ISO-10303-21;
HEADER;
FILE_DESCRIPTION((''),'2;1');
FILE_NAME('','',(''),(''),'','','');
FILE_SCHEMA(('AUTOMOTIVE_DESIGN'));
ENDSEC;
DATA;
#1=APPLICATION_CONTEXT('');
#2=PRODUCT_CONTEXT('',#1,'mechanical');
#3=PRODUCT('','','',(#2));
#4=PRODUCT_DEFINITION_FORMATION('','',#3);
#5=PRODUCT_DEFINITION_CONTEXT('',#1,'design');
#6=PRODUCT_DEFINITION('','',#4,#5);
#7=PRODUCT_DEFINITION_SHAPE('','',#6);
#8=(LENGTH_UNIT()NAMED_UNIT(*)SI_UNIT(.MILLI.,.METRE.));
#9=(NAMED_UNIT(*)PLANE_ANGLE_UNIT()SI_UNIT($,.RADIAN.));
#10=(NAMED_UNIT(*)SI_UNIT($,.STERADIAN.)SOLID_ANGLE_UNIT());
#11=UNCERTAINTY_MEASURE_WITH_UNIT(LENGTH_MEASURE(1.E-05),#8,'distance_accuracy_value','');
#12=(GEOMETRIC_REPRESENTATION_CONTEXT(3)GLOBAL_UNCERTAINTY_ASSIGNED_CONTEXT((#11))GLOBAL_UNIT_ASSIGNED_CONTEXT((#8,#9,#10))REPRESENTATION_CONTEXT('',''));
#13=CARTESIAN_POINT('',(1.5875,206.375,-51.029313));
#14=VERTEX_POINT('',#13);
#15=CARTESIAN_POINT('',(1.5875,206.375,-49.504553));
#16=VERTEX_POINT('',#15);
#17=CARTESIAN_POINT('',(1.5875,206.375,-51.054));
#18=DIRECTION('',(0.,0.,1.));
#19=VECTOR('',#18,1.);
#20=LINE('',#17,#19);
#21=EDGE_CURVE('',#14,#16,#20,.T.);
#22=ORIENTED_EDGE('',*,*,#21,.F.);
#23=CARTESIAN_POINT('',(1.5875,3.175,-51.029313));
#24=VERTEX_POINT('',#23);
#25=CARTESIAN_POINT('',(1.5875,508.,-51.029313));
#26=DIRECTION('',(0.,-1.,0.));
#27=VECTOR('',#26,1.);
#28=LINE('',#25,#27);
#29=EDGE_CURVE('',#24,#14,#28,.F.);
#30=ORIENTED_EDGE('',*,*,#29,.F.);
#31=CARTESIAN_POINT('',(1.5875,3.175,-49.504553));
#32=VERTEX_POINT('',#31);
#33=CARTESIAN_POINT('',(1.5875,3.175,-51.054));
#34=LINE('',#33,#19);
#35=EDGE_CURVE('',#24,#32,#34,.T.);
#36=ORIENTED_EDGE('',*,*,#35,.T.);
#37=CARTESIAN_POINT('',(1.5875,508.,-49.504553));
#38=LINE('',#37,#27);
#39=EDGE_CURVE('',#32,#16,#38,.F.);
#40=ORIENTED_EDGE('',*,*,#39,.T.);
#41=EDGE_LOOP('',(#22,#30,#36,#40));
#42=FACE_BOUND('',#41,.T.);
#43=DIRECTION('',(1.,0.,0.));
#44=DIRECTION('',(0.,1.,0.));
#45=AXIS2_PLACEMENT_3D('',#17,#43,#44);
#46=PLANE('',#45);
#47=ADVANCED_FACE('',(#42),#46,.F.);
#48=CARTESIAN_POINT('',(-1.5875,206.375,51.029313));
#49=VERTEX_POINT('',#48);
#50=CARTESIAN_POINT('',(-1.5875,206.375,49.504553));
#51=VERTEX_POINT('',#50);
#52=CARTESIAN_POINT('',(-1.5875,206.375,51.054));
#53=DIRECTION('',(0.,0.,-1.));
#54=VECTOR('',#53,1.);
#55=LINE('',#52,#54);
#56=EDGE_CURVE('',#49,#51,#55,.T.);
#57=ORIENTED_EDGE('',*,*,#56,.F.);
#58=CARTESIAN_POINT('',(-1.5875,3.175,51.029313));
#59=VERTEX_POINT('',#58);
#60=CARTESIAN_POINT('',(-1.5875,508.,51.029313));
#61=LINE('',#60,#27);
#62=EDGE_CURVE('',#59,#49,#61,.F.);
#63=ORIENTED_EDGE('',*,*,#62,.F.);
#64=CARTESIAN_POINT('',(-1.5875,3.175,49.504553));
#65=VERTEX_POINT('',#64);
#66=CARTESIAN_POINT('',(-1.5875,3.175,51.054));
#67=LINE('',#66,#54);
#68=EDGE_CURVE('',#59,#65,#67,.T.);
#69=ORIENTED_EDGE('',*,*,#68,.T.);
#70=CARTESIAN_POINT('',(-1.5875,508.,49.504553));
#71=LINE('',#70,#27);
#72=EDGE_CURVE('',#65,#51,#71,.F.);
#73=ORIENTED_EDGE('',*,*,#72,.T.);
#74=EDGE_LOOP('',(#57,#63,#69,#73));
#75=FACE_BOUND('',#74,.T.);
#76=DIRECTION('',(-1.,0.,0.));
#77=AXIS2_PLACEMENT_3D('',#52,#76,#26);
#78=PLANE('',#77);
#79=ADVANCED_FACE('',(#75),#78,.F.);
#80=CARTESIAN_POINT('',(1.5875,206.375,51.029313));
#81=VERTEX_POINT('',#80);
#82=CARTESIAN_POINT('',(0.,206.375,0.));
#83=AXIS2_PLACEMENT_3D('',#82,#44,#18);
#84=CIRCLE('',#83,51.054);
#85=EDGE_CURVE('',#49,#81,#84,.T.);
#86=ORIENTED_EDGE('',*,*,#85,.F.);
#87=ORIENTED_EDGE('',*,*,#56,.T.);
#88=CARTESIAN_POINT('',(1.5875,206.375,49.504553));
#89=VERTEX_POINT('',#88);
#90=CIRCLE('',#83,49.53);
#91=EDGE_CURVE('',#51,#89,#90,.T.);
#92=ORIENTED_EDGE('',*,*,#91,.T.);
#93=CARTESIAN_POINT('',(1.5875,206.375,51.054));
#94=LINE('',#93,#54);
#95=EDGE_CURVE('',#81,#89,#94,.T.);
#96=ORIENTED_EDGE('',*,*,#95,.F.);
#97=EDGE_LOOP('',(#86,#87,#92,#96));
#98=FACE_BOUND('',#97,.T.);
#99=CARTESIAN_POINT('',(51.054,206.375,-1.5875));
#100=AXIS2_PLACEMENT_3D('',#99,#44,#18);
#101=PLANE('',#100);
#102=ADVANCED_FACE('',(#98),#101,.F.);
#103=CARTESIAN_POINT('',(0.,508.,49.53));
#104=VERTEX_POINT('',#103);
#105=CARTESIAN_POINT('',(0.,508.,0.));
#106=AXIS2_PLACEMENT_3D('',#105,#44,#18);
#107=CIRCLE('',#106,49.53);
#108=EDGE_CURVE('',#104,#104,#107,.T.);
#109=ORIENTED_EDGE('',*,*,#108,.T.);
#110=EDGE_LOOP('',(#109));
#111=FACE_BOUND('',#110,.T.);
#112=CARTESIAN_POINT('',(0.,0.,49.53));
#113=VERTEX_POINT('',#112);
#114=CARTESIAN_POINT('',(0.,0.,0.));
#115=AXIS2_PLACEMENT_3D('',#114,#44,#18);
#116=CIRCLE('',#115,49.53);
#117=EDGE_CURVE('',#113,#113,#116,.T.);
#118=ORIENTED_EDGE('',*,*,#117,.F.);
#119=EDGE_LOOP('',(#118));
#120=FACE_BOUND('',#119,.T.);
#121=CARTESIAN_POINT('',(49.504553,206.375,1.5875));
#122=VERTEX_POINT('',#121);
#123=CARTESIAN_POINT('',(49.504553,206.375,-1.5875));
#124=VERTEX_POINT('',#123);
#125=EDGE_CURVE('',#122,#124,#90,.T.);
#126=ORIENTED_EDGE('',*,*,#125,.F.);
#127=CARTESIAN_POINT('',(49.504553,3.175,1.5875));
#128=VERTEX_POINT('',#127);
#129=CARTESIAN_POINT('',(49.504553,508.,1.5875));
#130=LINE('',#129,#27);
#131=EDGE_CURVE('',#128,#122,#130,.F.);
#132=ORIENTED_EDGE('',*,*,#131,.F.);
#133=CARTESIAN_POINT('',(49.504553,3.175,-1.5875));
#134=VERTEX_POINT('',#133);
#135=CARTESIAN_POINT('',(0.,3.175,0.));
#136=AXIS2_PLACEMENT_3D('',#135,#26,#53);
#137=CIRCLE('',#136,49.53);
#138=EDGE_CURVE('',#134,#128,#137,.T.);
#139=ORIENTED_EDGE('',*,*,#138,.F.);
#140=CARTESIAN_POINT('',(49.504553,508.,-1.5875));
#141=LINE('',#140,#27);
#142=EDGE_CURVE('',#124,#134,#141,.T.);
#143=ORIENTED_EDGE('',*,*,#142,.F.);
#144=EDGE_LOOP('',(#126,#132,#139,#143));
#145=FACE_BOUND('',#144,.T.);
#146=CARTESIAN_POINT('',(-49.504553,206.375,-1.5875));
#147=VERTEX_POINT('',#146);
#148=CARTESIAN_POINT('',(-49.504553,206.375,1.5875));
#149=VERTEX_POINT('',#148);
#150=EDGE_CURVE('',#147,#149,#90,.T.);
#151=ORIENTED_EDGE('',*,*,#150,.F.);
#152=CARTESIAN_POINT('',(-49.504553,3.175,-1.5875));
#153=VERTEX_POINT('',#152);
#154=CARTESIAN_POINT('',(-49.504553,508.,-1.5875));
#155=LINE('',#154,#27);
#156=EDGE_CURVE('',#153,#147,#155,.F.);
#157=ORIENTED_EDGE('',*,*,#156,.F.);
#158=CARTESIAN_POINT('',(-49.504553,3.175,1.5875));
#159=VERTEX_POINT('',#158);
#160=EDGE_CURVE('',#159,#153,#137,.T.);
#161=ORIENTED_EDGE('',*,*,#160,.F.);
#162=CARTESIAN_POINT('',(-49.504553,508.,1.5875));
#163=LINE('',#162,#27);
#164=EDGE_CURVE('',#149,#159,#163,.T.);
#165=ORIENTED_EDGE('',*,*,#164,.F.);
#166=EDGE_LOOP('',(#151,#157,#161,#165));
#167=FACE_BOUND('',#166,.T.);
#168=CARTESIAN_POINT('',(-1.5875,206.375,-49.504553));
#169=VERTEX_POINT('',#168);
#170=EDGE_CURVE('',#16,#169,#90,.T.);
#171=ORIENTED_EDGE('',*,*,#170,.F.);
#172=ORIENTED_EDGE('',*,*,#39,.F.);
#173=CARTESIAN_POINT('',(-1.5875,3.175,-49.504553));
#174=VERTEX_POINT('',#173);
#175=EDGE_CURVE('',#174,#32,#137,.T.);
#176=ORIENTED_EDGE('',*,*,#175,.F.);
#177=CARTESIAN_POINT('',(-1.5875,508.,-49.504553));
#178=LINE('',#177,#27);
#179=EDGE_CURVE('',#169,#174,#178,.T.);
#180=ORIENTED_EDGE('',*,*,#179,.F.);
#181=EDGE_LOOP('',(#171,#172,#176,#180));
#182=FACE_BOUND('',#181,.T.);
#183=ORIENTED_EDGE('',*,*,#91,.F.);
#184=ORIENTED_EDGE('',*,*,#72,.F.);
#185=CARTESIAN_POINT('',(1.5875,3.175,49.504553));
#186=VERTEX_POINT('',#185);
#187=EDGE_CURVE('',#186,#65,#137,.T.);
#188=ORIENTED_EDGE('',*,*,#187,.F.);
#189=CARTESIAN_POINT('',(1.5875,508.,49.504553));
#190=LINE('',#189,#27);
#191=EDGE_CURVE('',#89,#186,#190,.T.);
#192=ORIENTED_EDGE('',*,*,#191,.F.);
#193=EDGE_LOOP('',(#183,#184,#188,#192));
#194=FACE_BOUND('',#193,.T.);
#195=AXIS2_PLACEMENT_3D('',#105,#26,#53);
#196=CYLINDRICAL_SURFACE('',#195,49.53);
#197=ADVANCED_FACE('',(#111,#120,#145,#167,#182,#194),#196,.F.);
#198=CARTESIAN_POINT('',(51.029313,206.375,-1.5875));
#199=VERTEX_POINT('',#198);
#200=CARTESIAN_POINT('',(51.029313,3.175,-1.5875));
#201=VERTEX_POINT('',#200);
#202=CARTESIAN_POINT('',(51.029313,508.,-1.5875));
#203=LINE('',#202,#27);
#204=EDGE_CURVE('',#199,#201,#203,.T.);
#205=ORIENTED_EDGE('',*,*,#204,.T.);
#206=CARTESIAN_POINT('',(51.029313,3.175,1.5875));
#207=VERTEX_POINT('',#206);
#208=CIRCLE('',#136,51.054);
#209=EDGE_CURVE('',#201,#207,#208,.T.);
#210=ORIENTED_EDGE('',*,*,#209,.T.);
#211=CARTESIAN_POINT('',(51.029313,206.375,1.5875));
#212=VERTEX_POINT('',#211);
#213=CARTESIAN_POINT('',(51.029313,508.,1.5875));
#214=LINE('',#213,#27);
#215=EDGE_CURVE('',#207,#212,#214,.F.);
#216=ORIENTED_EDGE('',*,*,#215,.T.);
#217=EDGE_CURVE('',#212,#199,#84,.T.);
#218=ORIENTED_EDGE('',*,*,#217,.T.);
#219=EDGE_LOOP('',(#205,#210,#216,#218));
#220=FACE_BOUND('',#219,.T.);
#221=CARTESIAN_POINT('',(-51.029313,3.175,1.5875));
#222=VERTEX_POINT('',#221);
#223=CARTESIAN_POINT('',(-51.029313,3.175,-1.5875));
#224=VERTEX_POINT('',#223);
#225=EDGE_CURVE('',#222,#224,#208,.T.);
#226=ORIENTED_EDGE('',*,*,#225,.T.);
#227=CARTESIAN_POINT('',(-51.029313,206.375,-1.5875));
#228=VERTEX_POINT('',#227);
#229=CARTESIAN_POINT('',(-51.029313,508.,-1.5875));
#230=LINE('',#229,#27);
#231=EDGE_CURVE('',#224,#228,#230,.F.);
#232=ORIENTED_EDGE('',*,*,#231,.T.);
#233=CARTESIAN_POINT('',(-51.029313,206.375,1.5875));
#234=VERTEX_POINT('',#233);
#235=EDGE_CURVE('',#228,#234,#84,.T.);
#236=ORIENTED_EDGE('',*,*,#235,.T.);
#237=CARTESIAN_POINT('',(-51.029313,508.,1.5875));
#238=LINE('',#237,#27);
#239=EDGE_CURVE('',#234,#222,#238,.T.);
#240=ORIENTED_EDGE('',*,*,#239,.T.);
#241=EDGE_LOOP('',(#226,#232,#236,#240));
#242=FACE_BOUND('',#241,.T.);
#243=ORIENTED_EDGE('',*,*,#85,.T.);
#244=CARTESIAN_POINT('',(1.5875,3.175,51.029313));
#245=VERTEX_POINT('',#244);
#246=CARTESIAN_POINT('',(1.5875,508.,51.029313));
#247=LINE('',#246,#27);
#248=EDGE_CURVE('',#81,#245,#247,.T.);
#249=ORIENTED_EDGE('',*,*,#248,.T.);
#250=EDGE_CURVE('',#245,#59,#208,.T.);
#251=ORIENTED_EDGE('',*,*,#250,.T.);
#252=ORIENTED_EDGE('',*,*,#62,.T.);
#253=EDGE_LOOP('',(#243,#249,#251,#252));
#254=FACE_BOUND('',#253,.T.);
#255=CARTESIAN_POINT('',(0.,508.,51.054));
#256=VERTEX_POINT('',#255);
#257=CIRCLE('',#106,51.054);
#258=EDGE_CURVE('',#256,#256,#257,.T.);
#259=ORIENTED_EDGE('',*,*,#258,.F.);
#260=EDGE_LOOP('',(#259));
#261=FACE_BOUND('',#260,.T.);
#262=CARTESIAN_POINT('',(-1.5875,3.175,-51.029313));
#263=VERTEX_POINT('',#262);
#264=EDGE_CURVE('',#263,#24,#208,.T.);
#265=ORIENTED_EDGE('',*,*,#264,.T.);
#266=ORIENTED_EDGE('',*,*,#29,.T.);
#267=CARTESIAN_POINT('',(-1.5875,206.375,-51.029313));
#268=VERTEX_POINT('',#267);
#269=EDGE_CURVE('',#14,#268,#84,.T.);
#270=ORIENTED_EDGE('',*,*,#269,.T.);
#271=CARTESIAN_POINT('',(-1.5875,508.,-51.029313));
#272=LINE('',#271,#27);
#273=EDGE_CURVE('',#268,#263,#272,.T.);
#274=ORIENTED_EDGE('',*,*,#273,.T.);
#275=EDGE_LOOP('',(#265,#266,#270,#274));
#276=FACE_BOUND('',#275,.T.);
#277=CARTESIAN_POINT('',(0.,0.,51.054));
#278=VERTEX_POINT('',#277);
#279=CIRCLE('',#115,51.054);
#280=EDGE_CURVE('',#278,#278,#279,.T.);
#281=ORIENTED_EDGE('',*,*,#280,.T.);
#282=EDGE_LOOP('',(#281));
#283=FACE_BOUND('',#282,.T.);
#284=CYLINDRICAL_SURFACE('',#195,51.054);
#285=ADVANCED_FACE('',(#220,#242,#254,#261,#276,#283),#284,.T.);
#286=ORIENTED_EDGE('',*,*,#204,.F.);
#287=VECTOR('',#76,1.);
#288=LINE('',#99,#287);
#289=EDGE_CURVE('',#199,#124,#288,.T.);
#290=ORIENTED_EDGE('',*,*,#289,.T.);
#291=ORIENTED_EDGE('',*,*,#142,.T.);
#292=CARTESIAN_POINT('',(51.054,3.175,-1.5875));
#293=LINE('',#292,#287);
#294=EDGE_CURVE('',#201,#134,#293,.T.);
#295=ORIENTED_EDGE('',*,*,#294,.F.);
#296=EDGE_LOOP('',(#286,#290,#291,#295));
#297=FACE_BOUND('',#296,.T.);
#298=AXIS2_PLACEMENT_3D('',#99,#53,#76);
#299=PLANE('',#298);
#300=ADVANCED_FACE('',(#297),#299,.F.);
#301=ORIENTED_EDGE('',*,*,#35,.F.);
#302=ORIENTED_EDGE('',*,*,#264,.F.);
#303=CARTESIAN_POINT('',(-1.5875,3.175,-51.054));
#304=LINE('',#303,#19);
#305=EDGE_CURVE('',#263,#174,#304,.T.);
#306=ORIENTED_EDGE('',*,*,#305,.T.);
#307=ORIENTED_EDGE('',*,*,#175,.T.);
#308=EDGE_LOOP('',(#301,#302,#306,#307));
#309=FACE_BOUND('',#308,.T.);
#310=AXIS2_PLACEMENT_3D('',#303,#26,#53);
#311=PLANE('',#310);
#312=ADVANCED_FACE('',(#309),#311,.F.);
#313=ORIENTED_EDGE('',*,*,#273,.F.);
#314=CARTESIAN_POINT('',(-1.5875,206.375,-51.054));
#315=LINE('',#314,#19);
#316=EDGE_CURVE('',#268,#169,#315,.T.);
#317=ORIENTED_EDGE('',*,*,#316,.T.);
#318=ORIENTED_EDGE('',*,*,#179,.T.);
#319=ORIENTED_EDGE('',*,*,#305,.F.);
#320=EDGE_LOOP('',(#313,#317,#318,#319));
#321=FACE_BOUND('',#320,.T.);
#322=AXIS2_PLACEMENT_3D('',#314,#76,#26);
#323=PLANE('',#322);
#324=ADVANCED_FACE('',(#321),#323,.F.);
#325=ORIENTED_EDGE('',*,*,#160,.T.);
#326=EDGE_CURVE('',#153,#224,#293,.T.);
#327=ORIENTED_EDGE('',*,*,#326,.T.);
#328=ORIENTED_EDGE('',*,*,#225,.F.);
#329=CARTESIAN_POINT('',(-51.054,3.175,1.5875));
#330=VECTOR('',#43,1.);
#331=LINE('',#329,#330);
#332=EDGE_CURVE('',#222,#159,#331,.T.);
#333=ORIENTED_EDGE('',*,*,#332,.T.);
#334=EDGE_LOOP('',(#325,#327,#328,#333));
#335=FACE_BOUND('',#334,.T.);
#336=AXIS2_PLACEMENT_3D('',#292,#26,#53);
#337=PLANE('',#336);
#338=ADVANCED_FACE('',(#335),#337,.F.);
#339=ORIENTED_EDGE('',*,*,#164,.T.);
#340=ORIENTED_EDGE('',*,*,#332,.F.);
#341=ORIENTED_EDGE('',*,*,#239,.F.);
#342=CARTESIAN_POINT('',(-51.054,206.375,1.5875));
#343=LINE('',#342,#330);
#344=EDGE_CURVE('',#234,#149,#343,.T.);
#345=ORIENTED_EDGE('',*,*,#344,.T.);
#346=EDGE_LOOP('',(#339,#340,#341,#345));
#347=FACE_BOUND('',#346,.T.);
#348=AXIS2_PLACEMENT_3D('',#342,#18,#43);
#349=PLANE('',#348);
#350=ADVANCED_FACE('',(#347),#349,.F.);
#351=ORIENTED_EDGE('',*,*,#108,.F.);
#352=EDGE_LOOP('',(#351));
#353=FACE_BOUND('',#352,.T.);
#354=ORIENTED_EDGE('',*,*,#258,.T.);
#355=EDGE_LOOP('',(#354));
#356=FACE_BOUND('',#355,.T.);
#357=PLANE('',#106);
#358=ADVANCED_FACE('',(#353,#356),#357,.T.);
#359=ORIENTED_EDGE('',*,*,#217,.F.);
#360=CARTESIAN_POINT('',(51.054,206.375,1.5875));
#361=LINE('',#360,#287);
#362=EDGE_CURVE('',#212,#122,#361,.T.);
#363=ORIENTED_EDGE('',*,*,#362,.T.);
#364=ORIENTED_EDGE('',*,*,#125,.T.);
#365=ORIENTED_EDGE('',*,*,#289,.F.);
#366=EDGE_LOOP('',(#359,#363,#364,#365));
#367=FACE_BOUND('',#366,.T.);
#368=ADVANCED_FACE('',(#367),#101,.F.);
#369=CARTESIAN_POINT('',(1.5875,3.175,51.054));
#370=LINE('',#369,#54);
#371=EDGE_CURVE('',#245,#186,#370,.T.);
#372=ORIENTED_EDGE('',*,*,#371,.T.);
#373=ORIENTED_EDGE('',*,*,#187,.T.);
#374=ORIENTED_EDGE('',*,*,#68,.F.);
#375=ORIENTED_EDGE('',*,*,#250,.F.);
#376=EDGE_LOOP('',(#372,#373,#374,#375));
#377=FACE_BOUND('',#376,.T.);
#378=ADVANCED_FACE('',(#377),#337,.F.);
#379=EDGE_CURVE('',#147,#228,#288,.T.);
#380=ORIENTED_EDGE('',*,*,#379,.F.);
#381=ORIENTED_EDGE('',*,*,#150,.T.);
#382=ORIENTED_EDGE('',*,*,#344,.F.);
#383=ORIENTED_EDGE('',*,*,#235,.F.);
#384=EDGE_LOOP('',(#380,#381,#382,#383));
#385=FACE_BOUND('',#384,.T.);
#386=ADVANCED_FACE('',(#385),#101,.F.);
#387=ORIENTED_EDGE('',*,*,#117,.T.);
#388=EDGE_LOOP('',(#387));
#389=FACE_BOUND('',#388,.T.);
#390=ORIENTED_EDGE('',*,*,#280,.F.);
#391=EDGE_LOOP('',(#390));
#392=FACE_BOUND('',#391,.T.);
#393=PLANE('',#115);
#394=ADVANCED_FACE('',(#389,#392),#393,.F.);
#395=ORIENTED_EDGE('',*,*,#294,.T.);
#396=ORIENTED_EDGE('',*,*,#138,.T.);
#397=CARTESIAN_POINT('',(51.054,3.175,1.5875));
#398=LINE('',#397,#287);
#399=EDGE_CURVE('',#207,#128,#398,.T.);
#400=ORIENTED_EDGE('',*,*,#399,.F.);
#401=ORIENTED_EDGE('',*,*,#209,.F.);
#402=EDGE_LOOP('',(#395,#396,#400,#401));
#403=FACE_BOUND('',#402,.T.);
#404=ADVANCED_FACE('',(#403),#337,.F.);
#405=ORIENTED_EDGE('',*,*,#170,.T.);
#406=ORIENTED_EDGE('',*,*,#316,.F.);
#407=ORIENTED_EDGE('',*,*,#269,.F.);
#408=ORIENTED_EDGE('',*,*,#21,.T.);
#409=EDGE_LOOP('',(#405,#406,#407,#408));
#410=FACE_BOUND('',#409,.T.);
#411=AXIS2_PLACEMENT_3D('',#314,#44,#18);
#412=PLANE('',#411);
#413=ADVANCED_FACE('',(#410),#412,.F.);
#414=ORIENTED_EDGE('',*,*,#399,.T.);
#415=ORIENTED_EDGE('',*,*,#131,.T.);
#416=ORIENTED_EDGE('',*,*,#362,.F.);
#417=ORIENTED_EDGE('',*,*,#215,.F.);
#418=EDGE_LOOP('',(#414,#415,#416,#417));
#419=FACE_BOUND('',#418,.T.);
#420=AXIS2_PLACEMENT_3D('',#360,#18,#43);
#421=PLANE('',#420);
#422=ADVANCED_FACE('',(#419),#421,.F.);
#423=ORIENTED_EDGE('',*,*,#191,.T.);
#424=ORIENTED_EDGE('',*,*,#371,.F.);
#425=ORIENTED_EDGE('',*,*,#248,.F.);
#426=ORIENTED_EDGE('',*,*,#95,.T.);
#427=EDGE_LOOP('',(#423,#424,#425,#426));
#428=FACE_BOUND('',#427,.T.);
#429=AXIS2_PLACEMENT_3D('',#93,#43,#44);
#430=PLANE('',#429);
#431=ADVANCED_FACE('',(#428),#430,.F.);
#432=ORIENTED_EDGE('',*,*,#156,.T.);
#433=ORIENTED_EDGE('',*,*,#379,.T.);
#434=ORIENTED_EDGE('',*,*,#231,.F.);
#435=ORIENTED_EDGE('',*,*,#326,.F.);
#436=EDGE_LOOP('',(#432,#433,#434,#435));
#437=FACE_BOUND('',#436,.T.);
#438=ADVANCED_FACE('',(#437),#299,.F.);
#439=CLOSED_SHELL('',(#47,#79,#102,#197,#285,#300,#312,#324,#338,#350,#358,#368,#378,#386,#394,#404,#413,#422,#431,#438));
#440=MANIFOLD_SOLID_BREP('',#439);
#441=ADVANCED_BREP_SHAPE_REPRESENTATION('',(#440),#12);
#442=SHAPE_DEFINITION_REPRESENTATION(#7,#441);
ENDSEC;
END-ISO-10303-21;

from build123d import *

# Parameters (mm, degrees)
SKETCH1_R           = 51.054
SKETCH1_R_2         = 49.53
BOSS_EXTRUDE1_DEPTH = 508
SKETCH2_W           = 3.175
SKETCH2_H           = 203.2
CUT_EXTRUDE1_DEPTH  = 52.054
CIRPATTERN1_COUNT   = 4


with BuildPart() as part:
    # Sketch1 → Boss-Extrude1 (new body)
    with BuildSketch(Plane(origin=(0, 0, 0), x_dir=(1, 0, 0), z_dir=(0, 1, 0))):
        Circle(SKETCH1_R)
        Circle(SKETCH1_R_2, mode=Mode.SUBTRACT)
    extrude(amount=BOSS_EXTRUDE1_DEPTH)

    # Sketch2 → Cut-Extrude1 (cut, through all)
    with BuildSketch(Plane.XY):
        with Locations((0, 104.775)):
            Rectangle(SKETCH2_W, SKETCH2_H)
    cut_extrude1 = extrude(amount=-CUT_EXTRUDE1_DEPTH, mode=Mode.SUBTRACT)

    # CirPattern1: Cut-Extrude1 ×4 about axis
    cirpattern1_axis = Axis((0, 0, 0), (0, 1, 0))
    for i in range(1, CIRPATTERN1_COUNT):
        add(cut_extrude1.rotate(cirpattern1_axis, i * 360 / CIRPATTERN1_COUNT), mode=Mode.SUBTRACT)


solid = part.part
